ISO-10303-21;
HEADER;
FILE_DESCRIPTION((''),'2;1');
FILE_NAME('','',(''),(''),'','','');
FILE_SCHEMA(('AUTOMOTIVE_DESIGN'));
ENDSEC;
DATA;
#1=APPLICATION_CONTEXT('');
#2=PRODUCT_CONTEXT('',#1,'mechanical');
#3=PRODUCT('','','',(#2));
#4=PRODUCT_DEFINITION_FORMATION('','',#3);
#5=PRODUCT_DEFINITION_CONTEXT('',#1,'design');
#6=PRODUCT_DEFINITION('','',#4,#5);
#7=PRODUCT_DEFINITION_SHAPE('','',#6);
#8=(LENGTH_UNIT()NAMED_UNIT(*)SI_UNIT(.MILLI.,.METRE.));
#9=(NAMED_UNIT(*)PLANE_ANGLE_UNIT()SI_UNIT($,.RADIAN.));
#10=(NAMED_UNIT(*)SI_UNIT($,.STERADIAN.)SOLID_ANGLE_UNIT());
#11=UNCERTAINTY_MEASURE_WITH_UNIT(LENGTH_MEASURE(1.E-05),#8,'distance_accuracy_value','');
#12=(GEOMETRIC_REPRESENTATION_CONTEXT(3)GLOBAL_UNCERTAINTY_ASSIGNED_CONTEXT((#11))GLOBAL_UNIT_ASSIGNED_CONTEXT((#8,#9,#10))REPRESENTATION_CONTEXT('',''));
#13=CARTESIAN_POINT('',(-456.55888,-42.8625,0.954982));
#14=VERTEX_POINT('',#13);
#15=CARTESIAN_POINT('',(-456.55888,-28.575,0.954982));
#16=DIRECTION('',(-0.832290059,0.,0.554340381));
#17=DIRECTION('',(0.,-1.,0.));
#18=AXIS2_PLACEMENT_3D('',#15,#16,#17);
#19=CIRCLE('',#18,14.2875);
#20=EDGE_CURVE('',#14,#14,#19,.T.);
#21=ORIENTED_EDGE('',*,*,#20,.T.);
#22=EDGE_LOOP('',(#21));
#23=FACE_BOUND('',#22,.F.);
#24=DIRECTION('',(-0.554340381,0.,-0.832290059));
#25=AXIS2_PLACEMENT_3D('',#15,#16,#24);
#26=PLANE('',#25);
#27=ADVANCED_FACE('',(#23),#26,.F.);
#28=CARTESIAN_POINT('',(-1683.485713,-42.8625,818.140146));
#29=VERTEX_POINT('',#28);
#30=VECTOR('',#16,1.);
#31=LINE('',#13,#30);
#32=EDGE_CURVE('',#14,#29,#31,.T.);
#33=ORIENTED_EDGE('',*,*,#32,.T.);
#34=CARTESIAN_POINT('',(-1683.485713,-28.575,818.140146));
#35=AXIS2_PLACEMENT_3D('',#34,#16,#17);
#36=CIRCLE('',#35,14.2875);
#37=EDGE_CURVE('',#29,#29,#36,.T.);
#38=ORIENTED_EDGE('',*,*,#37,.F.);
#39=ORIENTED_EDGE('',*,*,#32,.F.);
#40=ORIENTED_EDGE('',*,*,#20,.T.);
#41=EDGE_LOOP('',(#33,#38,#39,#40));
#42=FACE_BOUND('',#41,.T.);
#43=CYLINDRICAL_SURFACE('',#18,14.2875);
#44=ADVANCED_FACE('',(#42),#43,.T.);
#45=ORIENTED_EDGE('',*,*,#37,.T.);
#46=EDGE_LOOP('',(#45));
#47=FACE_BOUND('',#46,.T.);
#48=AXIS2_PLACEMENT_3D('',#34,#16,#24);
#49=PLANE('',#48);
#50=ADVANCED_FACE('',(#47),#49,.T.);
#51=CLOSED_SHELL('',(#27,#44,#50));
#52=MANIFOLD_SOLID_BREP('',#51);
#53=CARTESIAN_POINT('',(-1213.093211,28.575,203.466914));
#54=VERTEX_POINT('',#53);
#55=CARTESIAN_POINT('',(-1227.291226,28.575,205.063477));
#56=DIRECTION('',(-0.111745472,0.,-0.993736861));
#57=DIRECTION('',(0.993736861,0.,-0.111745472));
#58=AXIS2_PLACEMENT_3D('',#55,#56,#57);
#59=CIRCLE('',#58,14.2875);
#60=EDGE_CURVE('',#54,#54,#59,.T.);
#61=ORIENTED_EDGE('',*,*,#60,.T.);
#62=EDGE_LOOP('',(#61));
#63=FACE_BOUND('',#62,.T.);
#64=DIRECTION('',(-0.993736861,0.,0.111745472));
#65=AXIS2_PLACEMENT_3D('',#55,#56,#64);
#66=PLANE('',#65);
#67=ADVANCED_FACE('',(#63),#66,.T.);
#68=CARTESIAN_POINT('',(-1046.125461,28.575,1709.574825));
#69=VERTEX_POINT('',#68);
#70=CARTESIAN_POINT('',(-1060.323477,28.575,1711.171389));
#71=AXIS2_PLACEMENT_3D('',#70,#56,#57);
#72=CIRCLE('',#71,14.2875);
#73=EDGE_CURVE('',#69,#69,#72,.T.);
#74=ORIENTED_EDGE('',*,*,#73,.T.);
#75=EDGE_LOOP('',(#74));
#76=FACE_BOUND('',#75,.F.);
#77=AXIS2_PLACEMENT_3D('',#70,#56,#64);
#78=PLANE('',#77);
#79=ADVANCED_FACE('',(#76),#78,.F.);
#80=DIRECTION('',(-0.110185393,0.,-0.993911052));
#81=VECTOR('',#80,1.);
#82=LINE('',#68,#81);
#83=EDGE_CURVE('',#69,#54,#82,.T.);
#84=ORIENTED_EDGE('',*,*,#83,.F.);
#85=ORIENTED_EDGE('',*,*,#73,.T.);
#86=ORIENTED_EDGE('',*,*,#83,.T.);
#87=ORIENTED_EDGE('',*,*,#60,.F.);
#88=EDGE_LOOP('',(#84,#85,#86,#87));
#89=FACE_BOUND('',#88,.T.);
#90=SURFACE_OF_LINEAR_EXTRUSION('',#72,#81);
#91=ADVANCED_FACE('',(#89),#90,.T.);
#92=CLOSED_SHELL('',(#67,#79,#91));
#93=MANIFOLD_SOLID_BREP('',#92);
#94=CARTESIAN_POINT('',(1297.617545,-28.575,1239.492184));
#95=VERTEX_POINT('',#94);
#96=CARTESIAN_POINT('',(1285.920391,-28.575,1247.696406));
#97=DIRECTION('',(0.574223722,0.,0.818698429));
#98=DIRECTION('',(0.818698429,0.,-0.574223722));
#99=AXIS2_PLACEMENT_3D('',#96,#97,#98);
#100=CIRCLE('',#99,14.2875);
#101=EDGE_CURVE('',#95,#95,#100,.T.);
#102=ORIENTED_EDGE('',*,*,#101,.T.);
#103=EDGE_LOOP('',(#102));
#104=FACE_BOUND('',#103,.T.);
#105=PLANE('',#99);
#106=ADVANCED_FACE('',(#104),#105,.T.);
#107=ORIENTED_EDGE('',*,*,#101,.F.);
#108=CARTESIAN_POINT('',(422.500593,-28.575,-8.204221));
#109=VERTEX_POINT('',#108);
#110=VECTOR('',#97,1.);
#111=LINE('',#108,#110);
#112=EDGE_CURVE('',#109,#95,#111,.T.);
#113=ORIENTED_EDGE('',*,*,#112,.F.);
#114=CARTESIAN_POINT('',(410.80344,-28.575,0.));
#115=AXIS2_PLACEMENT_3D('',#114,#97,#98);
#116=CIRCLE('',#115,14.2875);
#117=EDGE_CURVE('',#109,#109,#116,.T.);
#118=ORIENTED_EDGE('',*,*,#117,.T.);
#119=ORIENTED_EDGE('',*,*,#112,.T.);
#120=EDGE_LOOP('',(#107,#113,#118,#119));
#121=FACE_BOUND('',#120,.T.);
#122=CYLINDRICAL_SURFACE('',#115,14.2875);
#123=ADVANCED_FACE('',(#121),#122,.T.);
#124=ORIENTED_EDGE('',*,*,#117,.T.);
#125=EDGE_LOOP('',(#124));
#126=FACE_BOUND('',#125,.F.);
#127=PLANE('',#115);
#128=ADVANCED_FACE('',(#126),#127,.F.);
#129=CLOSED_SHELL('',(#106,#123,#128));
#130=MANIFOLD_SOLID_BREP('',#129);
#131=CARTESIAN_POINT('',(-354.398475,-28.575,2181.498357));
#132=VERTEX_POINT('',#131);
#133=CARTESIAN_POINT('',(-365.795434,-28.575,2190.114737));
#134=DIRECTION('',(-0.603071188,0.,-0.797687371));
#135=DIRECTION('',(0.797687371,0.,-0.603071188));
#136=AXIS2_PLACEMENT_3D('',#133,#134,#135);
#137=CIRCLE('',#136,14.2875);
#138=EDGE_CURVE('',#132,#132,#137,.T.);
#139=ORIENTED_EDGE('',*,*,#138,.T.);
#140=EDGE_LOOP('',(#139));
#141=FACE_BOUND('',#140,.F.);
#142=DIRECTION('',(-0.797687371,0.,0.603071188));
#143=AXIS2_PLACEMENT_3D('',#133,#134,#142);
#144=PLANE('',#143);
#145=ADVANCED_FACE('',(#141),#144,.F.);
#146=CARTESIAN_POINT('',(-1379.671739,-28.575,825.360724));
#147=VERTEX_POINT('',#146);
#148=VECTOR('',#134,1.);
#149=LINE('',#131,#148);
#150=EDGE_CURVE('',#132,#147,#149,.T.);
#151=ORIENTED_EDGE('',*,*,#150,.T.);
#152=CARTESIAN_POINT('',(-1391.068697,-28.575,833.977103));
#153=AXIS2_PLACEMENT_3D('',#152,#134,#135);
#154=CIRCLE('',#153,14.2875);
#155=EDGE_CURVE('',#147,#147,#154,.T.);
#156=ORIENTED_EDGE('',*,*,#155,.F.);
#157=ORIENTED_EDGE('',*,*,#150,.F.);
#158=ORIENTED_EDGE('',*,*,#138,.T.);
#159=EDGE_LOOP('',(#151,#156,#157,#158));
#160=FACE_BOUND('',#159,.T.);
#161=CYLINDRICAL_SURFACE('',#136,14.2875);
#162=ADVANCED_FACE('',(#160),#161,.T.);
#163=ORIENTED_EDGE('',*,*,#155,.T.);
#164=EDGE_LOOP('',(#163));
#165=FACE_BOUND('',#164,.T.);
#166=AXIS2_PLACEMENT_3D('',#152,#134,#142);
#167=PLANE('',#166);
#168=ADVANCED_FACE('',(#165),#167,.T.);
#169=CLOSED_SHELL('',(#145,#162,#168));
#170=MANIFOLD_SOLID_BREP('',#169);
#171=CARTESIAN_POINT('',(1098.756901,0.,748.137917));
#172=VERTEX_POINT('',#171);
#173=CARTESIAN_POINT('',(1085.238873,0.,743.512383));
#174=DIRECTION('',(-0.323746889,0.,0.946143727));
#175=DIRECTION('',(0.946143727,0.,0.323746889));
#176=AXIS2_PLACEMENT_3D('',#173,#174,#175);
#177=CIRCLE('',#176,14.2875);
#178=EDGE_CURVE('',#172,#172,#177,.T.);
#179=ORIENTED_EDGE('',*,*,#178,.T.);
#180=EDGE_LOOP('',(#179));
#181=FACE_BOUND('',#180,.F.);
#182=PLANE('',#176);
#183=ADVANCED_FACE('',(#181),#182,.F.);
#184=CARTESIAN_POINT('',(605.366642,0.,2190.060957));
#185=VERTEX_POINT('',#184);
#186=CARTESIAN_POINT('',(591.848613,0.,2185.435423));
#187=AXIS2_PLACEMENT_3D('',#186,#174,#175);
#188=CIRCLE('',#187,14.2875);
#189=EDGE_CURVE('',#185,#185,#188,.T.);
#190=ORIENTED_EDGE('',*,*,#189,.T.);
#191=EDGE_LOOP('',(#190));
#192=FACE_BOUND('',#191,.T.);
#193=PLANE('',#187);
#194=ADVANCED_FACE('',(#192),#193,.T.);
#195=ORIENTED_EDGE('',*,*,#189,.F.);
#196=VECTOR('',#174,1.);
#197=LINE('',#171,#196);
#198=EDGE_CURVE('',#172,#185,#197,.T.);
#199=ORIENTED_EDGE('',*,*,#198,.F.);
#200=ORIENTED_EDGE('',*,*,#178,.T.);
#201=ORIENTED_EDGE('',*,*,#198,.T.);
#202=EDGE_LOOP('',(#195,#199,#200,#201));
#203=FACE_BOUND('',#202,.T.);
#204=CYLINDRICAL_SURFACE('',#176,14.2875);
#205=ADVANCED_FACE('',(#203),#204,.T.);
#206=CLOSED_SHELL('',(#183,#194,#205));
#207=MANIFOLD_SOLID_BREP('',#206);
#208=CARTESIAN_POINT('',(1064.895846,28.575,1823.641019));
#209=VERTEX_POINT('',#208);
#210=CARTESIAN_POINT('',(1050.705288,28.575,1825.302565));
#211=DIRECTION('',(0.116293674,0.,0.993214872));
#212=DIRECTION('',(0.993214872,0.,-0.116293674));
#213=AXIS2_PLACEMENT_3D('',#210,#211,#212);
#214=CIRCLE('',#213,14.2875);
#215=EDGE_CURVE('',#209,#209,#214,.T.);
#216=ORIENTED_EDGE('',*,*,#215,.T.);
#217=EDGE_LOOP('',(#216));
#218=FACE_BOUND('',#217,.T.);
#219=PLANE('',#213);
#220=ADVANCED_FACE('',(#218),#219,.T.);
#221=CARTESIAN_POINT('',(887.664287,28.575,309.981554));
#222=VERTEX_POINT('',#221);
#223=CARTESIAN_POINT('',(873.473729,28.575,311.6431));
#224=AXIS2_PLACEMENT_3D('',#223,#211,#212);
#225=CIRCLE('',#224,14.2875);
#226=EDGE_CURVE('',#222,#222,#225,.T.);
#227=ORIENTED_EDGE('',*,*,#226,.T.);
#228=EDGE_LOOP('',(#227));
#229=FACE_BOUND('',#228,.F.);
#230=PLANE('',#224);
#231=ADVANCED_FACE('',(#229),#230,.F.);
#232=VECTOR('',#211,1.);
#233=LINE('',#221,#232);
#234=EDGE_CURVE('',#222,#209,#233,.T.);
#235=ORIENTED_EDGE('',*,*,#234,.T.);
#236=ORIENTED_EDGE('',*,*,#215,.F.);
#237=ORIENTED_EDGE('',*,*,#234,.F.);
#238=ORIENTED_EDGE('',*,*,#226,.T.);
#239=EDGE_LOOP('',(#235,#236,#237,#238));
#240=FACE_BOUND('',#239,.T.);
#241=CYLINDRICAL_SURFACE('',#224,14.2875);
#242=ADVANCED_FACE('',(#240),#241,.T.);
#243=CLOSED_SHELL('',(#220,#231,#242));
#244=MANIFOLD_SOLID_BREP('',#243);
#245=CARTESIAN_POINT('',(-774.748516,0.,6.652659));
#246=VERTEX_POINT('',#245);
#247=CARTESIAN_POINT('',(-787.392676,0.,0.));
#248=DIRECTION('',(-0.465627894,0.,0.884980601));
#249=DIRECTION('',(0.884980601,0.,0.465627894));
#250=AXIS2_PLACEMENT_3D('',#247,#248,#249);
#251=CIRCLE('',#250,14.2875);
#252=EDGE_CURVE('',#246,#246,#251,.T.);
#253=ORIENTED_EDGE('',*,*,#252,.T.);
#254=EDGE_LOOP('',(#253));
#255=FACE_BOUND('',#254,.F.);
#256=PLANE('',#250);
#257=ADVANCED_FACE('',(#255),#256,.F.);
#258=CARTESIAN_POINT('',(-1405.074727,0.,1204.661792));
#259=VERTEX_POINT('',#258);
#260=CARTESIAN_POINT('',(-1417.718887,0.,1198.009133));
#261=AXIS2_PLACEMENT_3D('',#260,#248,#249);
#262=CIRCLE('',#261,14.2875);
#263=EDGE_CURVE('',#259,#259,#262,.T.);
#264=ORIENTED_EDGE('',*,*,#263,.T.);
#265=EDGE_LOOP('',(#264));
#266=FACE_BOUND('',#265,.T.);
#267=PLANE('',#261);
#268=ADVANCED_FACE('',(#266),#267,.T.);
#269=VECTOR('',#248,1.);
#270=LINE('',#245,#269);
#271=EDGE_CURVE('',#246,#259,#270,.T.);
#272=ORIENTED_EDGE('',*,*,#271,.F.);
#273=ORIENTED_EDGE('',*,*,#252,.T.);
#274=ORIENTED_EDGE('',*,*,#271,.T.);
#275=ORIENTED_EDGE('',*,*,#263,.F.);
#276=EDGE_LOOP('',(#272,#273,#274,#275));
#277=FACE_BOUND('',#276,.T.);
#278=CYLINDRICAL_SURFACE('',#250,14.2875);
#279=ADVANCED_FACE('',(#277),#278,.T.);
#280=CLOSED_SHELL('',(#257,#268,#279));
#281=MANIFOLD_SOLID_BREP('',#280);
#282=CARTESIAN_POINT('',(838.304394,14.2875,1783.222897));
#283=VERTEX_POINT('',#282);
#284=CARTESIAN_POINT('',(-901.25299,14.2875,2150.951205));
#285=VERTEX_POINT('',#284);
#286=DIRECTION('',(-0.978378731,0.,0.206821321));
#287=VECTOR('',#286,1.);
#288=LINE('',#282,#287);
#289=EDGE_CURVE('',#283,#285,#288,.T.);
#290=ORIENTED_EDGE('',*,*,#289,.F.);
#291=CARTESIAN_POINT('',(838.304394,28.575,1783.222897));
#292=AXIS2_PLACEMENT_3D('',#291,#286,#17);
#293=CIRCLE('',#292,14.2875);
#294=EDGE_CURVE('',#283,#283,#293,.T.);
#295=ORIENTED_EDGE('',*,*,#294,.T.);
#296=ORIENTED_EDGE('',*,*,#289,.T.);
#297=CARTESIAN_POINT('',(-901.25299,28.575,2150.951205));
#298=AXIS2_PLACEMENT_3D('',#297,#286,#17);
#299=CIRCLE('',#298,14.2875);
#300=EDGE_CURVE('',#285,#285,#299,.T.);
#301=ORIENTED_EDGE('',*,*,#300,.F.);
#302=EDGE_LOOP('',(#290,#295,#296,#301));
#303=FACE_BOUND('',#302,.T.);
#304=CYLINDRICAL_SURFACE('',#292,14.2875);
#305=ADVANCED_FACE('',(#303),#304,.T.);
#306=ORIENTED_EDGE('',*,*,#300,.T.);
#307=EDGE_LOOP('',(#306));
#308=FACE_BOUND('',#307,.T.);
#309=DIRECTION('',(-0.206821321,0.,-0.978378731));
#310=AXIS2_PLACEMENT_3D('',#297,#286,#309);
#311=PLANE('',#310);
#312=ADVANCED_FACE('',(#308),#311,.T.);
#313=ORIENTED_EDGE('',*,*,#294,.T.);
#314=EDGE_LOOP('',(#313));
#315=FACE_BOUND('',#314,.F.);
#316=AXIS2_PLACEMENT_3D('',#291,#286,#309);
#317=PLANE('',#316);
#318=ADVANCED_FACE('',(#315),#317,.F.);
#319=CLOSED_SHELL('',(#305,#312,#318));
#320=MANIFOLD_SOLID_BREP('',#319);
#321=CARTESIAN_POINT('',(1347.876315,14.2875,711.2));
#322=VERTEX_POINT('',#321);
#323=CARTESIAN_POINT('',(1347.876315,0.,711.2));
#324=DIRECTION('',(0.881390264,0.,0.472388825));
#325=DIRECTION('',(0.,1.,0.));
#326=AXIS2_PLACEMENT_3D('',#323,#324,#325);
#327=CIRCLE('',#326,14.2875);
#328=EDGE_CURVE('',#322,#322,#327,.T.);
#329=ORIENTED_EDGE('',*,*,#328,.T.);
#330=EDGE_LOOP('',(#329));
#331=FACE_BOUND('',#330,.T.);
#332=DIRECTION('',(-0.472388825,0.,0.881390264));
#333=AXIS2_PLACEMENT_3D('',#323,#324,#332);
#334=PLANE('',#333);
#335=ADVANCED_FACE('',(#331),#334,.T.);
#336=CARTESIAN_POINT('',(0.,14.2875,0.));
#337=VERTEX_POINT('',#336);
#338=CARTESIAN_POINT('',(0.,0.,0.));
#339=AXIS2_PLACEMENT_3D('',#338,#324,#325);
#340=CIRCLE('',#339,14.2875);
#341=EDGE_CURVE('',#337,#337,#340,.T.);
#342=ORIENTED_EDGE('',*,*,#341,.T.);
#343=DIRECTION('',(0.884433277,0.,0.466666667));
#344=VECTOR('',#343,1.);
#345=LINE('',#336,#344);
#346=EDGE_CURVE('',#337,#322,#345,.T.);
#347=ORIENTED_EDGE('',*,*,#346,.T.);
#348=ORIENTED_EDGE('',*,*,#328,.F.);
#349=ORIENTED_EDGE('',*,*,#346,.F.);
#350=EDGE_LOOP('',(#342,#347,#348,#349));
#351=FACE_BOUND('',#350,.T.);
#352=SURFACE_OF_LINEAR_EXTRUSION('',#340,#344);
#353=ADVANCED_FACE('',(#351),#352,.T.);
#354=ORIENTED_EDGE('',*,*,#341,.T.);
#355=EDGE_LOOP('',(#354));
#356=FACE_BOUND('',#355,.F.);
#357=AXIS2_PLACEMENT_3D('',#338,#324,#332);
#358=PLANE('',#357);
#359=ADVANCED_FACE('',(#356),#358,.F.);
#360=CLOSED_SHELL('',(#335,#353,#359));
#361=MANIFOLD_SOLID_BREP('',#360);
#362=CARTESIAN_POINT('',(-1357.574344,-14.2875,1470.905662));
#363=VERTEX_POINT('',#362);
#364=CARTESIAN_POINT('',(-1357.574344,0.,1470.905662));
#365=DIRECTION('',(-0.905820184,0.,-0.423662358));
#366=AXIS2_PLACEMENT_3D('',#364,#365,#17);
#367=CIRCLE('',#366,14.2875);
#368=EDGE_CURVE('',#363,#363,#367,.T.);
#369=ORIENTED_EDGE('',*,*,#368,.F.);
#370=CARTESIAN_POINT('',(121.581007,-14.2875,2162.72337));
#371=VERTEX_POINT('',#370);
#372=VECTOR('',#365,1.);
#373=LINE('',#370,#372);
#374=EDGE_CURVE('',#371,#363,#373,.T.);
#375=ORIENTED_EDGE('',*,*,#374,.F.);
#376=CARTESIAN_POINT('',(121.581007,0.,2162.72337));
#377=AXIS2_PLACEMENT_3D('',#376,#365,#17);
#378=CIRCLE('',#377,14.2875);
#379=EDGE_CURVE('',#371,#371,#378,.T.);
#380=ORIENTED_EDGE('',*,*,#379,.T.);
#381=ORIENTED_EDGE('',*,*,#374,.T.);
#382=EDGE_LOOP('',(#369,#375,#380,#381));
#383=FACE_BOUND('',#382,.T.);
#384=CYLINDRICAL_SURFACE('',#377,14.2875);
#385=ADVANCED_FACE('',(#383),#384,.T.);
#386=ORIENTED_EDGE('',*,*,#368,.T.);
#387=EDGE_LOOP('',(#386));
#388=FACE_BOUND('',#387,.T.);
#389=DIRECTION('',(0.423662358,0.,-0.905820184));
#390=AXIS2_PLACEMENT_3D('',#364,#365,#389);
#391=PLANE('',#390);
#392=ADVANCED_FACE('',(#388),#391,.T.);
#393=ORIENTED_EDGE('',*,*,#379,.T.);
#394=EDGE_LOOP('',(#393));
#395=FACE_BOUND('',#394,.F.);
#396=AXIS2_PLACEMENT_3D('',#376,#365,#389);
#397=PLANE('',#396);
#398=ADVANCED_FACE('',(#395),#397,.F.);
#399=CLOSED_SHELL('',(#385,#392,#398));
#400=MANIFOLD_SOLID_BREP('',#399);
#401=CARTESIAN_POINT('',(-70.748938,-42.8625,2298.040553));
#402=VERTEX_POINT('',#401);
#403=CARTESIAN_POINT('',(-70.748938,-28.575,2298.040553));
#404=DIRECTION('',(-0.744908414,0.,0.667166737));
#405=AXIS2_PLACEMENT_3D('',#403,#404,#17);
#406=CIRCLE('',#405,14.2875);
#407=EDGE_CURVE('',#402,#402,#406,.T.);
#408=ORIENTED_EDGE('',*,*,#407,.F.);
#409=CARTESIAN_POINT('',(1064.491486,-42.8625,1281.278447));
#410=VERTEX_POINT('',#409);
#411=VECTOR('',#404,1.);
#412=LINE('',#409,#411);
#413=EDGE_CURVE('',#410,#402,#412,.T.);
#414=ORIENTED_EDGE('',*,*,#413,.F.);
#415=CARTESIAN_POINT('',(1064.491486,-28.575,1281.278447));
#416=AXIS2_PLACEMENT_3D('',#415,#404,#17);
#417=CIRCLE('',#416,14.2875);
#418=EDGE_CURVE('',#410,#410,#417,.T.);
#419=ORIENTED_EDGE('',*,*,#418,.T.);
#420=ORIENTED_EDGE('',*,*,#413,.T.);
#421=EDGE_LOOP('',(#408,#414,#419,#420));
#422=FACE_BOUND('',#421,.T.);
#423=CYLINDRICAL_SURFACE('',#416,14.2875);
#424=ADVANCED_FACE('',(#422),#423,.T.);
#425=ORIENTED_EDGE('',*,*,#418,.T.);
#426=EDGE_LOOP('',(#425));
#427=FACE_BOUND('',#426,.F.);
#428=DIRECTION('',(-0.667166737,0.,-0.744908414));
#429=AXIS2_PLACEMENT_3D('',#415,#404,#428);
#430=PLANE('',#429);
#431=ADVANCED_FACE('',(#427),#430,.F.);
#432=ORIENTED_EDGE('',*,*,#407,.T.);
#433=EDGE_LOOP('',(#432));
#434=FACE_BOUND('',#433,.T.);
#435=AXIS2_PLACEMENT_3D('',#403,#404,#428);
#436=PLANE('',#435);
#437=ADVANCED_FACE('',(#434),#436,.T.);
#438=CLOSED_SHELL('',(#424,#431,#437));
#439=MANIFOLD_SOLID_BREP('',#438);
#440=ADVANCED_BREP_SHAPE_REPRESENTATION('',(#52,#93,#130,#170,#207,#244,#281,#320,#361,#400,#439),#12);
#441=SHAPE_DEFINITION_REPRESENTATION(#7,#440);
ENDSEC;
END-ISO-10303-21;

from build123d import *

# Parameters (mm, degrees)
F3_R  = 14.2875
F9_R  = 14.2875
F13_R = 14.2875
F17_R = 14.2875
F21_R = 14.2875
F25_R = 14.2875
F29_R = 14.2875
F33_R = 14.2875
F37_R = 14.2875
F41_R = 14.2875
F45_R = 14.2875


with BuildPart() as f4:
    # F4: sweep along a path in F0
    with BuildLine(Plane.XZ) as f4_path:
        Line((0, 0), (1347.8763148004, 711.2))
    # F3 (on line) → F4 (sweep)
    with BuildSketch(Plane(origin=(0, 0, 0), x_dir=(0, 1, 0), z_dir=(0.8813902642, 0, 0.4723888252))):
        Circle(F3_R)
    sweep(path=f4_path.line)


with BuildPart() as f10:
    # F10: sweep along a path in F7
    with BuildLine(Plane.XZ.offset(28.575)) as f10_path:
        Line((410.8034395753, 0), (1285.9203914789, 1247.6964055774))
    # F9 (on line) → F10 (sweep)
    with BuildSketch(Plane(origin=(135.4554023081, 0, 193.1252939487), x_dir=(0.8186984289, 0, -0.5742237217), z_dir=(0.5742237217, 0, 0.8186984289))):
        with Locations((336.3241305492, -28.575)):
            Circle(F9_R)
    sweep(path=f10_path.line)


with BuildPart() as f14:
    # F14: sweep along a path in F11
    with BuildLine(Plane.XZ.offset(-28.575)) as f14_path:
        Line((873.4737293956, 311.6431001729), (1050.7052881482, 1825.3025647098))
    # F13 (on line) → F14 (sweep)
    with BuildSketch(Plane(origin=(47.809263182, 0, 408.3186099438), x_dir=(0.9932148717, 0, -0.1162936737), z_dir=(0.1162936737, 0, 0.9932148717))):
        with Locations((831.3049771036, 28.575)):
            Circle(F13_R)
    sweep(path=f14_path.line)


with BuildPart() as f18:
    # F18: sweep along a path in F15
    with BuildLine(Plane.XZ) as f18_path:
        Line((1085.2388725713, 743.5123834057), (591.8486132189, 2185.4354229526))
    # F17 (on line) → F18 (sweep)
    with BuildSketch(Plane(origin=(-113.9999782084, 0, 333.1626272928), x_dir=(0.9461437267, 0, 0.3237468893), z_dir=(-0.3237468893, 0, 0.9461437267))):
        with Locations((1267.5017726068, 0)):
            Circle(F17_R)
    sweep(path=f18_path.line)


with BuildPart() as f22:
    # F22: sweep along a path in F19
    with BuildLine(Plane.XZ.offset(28.575)) as f22_path:
        Line((1064.491485627, 1281.2784468634), (-70.7489376977, 2298.0405533808))
    # F21 (on line) → F22 (sweep)
    with BuildSketch(Plane(origin=(-46.0932160119, 0, 41.282740154), x_dir=(0, -1, 0), z_dir=(-0.7449084143, 0, 0.6671667366))):
        with Locations((28.575, 1664.6284066338)):
            Circle(F21_R)
    sweep(path=f22_path.line)


with BuildPart() as f26:
    # F26: sweep along a path in F23
    with BuildLine(Plane.XZ.offset(-28.575)) as f26_path:
        Line((838.3043938221, 1783.2228974534), (-901.2529899708, 2150.9512054357))
    # F25 (on line) → F26 (sweep)
    with BuildSketch(Plane(origin=(441.6114677704, 0, -93.3530789738), x_dir=(0, -1, 0), z_dir=(-0.978378731, 0, 0.2068213206))):
        with Locations((-28.575, 1918.0465773498)):
            Circle(F25_R)
    sweep(path=f26_path.line)


with BuildPart() as f30:
    # F30: sweep along a path in F27
    with BuildLine(Plane.XZ) as f30_path:
        Line((121.5810066726, 2162.7233696814), (-1357.5743436813, 1470.9056615829))
    # F29 (on line) → F30 (sweep)
    with BuildSketch(Plane(origin=(929.7293196071, 0, 434.844931527), x_dir=(0, -1, 0), z_dir=(-0.9058201843, 0, -0.4236623582))):
        with Locations((0, 1907.5291852912)):
            Circle(F29_R)
    sweep(path=f30_path.line)


with BuildPart() as f34:
    # F34: sweep along a path in F31
    with BuildLine(Plane.XZ.offset(28.575)) as f34_path:
        Line((-365.7954335213, 2190.114736557), (-1391.0686969757, 833.9771032333))
    # F33 (on line) → F34 (sweep)
    with BuildSketch(Plane(origin=(920.5436499964, 0, 1217.6108861662), x_dir=(0.797687371, 0, -0.6030711883), z_dir=(-0.6030711883, 0, -0.797687371))):
        with Locations((-1612.5854944188, 28.575)):
            Circle(F33_R)
    sweep(path=f34_path.line)


with BuildPart() as f38:
    # F38: sweep along a path in F35
    with BuildLine(Plane.XZ.offset(-28.575)) as f38_path:
        Line((-1060.3234767914, 1711.1713886261), (-1227.291226387, 205.0634771585))
    # F37 (on line) → F38 (sweep)
    with BuildSketch(Plane(origin=(176.7777317095, 0, 1572.0596539092), x_dir=(0.9937368613, 0, -0.1117454721), z_dir=(-0.1117454721, 0, -0.9937368613))):
        with Locations((-1244.898178491, -28.575)):
            Circle(F37_R)
    sweep(path=f38_path.line)


with BuildPart() as f42:
    # F42: sweep along a path in F39
    with BuildLine(Plane.XZ) as f42_path:
        Line((-787.3926758766, 0), (-1417.7188873291, 1198.0091333389))
    # F41 (on line) → F42 (sweep)
    with BuildSketch(Plane(origin=(-801.040294303, 0, 1522.4713351776), x_dir=(0.8849806012, 0, 0.4656278938), z_dir=(-0.4656278938, 0, 0.8849806012))):
        with Locations((-696.8272436685, 0)):
            Circle(F41_R)
    sweep(path=f42_path.line)


with BuildPart() as f46:
    # F46: sweep along a path in F43
    with BuildLine(Plane.XZ.offset(28.575)) as f46_path:
        Line((-455.1250636578, 0), (-1682.051897049, 817.1851634979))
    # F45 (on line) → F46 (sweep)
    with BuildSketch(Plane(origin=(-1543.6288496995, 0, 1028.122101165), x_dir=(0, -1, 0), z_dir=(-0.832290059, 0, 0.5543403807))):
        with Locations((28.575, -252.2942010634)):
            Circle(F45_R)
    sweep(path=f46_path.line)


solid = Compound([f4.part, f10.part, f14.part, f18.part, f22.part, f26.part, f30.part, f34.part, f38.part, f42.part, f46.part])
